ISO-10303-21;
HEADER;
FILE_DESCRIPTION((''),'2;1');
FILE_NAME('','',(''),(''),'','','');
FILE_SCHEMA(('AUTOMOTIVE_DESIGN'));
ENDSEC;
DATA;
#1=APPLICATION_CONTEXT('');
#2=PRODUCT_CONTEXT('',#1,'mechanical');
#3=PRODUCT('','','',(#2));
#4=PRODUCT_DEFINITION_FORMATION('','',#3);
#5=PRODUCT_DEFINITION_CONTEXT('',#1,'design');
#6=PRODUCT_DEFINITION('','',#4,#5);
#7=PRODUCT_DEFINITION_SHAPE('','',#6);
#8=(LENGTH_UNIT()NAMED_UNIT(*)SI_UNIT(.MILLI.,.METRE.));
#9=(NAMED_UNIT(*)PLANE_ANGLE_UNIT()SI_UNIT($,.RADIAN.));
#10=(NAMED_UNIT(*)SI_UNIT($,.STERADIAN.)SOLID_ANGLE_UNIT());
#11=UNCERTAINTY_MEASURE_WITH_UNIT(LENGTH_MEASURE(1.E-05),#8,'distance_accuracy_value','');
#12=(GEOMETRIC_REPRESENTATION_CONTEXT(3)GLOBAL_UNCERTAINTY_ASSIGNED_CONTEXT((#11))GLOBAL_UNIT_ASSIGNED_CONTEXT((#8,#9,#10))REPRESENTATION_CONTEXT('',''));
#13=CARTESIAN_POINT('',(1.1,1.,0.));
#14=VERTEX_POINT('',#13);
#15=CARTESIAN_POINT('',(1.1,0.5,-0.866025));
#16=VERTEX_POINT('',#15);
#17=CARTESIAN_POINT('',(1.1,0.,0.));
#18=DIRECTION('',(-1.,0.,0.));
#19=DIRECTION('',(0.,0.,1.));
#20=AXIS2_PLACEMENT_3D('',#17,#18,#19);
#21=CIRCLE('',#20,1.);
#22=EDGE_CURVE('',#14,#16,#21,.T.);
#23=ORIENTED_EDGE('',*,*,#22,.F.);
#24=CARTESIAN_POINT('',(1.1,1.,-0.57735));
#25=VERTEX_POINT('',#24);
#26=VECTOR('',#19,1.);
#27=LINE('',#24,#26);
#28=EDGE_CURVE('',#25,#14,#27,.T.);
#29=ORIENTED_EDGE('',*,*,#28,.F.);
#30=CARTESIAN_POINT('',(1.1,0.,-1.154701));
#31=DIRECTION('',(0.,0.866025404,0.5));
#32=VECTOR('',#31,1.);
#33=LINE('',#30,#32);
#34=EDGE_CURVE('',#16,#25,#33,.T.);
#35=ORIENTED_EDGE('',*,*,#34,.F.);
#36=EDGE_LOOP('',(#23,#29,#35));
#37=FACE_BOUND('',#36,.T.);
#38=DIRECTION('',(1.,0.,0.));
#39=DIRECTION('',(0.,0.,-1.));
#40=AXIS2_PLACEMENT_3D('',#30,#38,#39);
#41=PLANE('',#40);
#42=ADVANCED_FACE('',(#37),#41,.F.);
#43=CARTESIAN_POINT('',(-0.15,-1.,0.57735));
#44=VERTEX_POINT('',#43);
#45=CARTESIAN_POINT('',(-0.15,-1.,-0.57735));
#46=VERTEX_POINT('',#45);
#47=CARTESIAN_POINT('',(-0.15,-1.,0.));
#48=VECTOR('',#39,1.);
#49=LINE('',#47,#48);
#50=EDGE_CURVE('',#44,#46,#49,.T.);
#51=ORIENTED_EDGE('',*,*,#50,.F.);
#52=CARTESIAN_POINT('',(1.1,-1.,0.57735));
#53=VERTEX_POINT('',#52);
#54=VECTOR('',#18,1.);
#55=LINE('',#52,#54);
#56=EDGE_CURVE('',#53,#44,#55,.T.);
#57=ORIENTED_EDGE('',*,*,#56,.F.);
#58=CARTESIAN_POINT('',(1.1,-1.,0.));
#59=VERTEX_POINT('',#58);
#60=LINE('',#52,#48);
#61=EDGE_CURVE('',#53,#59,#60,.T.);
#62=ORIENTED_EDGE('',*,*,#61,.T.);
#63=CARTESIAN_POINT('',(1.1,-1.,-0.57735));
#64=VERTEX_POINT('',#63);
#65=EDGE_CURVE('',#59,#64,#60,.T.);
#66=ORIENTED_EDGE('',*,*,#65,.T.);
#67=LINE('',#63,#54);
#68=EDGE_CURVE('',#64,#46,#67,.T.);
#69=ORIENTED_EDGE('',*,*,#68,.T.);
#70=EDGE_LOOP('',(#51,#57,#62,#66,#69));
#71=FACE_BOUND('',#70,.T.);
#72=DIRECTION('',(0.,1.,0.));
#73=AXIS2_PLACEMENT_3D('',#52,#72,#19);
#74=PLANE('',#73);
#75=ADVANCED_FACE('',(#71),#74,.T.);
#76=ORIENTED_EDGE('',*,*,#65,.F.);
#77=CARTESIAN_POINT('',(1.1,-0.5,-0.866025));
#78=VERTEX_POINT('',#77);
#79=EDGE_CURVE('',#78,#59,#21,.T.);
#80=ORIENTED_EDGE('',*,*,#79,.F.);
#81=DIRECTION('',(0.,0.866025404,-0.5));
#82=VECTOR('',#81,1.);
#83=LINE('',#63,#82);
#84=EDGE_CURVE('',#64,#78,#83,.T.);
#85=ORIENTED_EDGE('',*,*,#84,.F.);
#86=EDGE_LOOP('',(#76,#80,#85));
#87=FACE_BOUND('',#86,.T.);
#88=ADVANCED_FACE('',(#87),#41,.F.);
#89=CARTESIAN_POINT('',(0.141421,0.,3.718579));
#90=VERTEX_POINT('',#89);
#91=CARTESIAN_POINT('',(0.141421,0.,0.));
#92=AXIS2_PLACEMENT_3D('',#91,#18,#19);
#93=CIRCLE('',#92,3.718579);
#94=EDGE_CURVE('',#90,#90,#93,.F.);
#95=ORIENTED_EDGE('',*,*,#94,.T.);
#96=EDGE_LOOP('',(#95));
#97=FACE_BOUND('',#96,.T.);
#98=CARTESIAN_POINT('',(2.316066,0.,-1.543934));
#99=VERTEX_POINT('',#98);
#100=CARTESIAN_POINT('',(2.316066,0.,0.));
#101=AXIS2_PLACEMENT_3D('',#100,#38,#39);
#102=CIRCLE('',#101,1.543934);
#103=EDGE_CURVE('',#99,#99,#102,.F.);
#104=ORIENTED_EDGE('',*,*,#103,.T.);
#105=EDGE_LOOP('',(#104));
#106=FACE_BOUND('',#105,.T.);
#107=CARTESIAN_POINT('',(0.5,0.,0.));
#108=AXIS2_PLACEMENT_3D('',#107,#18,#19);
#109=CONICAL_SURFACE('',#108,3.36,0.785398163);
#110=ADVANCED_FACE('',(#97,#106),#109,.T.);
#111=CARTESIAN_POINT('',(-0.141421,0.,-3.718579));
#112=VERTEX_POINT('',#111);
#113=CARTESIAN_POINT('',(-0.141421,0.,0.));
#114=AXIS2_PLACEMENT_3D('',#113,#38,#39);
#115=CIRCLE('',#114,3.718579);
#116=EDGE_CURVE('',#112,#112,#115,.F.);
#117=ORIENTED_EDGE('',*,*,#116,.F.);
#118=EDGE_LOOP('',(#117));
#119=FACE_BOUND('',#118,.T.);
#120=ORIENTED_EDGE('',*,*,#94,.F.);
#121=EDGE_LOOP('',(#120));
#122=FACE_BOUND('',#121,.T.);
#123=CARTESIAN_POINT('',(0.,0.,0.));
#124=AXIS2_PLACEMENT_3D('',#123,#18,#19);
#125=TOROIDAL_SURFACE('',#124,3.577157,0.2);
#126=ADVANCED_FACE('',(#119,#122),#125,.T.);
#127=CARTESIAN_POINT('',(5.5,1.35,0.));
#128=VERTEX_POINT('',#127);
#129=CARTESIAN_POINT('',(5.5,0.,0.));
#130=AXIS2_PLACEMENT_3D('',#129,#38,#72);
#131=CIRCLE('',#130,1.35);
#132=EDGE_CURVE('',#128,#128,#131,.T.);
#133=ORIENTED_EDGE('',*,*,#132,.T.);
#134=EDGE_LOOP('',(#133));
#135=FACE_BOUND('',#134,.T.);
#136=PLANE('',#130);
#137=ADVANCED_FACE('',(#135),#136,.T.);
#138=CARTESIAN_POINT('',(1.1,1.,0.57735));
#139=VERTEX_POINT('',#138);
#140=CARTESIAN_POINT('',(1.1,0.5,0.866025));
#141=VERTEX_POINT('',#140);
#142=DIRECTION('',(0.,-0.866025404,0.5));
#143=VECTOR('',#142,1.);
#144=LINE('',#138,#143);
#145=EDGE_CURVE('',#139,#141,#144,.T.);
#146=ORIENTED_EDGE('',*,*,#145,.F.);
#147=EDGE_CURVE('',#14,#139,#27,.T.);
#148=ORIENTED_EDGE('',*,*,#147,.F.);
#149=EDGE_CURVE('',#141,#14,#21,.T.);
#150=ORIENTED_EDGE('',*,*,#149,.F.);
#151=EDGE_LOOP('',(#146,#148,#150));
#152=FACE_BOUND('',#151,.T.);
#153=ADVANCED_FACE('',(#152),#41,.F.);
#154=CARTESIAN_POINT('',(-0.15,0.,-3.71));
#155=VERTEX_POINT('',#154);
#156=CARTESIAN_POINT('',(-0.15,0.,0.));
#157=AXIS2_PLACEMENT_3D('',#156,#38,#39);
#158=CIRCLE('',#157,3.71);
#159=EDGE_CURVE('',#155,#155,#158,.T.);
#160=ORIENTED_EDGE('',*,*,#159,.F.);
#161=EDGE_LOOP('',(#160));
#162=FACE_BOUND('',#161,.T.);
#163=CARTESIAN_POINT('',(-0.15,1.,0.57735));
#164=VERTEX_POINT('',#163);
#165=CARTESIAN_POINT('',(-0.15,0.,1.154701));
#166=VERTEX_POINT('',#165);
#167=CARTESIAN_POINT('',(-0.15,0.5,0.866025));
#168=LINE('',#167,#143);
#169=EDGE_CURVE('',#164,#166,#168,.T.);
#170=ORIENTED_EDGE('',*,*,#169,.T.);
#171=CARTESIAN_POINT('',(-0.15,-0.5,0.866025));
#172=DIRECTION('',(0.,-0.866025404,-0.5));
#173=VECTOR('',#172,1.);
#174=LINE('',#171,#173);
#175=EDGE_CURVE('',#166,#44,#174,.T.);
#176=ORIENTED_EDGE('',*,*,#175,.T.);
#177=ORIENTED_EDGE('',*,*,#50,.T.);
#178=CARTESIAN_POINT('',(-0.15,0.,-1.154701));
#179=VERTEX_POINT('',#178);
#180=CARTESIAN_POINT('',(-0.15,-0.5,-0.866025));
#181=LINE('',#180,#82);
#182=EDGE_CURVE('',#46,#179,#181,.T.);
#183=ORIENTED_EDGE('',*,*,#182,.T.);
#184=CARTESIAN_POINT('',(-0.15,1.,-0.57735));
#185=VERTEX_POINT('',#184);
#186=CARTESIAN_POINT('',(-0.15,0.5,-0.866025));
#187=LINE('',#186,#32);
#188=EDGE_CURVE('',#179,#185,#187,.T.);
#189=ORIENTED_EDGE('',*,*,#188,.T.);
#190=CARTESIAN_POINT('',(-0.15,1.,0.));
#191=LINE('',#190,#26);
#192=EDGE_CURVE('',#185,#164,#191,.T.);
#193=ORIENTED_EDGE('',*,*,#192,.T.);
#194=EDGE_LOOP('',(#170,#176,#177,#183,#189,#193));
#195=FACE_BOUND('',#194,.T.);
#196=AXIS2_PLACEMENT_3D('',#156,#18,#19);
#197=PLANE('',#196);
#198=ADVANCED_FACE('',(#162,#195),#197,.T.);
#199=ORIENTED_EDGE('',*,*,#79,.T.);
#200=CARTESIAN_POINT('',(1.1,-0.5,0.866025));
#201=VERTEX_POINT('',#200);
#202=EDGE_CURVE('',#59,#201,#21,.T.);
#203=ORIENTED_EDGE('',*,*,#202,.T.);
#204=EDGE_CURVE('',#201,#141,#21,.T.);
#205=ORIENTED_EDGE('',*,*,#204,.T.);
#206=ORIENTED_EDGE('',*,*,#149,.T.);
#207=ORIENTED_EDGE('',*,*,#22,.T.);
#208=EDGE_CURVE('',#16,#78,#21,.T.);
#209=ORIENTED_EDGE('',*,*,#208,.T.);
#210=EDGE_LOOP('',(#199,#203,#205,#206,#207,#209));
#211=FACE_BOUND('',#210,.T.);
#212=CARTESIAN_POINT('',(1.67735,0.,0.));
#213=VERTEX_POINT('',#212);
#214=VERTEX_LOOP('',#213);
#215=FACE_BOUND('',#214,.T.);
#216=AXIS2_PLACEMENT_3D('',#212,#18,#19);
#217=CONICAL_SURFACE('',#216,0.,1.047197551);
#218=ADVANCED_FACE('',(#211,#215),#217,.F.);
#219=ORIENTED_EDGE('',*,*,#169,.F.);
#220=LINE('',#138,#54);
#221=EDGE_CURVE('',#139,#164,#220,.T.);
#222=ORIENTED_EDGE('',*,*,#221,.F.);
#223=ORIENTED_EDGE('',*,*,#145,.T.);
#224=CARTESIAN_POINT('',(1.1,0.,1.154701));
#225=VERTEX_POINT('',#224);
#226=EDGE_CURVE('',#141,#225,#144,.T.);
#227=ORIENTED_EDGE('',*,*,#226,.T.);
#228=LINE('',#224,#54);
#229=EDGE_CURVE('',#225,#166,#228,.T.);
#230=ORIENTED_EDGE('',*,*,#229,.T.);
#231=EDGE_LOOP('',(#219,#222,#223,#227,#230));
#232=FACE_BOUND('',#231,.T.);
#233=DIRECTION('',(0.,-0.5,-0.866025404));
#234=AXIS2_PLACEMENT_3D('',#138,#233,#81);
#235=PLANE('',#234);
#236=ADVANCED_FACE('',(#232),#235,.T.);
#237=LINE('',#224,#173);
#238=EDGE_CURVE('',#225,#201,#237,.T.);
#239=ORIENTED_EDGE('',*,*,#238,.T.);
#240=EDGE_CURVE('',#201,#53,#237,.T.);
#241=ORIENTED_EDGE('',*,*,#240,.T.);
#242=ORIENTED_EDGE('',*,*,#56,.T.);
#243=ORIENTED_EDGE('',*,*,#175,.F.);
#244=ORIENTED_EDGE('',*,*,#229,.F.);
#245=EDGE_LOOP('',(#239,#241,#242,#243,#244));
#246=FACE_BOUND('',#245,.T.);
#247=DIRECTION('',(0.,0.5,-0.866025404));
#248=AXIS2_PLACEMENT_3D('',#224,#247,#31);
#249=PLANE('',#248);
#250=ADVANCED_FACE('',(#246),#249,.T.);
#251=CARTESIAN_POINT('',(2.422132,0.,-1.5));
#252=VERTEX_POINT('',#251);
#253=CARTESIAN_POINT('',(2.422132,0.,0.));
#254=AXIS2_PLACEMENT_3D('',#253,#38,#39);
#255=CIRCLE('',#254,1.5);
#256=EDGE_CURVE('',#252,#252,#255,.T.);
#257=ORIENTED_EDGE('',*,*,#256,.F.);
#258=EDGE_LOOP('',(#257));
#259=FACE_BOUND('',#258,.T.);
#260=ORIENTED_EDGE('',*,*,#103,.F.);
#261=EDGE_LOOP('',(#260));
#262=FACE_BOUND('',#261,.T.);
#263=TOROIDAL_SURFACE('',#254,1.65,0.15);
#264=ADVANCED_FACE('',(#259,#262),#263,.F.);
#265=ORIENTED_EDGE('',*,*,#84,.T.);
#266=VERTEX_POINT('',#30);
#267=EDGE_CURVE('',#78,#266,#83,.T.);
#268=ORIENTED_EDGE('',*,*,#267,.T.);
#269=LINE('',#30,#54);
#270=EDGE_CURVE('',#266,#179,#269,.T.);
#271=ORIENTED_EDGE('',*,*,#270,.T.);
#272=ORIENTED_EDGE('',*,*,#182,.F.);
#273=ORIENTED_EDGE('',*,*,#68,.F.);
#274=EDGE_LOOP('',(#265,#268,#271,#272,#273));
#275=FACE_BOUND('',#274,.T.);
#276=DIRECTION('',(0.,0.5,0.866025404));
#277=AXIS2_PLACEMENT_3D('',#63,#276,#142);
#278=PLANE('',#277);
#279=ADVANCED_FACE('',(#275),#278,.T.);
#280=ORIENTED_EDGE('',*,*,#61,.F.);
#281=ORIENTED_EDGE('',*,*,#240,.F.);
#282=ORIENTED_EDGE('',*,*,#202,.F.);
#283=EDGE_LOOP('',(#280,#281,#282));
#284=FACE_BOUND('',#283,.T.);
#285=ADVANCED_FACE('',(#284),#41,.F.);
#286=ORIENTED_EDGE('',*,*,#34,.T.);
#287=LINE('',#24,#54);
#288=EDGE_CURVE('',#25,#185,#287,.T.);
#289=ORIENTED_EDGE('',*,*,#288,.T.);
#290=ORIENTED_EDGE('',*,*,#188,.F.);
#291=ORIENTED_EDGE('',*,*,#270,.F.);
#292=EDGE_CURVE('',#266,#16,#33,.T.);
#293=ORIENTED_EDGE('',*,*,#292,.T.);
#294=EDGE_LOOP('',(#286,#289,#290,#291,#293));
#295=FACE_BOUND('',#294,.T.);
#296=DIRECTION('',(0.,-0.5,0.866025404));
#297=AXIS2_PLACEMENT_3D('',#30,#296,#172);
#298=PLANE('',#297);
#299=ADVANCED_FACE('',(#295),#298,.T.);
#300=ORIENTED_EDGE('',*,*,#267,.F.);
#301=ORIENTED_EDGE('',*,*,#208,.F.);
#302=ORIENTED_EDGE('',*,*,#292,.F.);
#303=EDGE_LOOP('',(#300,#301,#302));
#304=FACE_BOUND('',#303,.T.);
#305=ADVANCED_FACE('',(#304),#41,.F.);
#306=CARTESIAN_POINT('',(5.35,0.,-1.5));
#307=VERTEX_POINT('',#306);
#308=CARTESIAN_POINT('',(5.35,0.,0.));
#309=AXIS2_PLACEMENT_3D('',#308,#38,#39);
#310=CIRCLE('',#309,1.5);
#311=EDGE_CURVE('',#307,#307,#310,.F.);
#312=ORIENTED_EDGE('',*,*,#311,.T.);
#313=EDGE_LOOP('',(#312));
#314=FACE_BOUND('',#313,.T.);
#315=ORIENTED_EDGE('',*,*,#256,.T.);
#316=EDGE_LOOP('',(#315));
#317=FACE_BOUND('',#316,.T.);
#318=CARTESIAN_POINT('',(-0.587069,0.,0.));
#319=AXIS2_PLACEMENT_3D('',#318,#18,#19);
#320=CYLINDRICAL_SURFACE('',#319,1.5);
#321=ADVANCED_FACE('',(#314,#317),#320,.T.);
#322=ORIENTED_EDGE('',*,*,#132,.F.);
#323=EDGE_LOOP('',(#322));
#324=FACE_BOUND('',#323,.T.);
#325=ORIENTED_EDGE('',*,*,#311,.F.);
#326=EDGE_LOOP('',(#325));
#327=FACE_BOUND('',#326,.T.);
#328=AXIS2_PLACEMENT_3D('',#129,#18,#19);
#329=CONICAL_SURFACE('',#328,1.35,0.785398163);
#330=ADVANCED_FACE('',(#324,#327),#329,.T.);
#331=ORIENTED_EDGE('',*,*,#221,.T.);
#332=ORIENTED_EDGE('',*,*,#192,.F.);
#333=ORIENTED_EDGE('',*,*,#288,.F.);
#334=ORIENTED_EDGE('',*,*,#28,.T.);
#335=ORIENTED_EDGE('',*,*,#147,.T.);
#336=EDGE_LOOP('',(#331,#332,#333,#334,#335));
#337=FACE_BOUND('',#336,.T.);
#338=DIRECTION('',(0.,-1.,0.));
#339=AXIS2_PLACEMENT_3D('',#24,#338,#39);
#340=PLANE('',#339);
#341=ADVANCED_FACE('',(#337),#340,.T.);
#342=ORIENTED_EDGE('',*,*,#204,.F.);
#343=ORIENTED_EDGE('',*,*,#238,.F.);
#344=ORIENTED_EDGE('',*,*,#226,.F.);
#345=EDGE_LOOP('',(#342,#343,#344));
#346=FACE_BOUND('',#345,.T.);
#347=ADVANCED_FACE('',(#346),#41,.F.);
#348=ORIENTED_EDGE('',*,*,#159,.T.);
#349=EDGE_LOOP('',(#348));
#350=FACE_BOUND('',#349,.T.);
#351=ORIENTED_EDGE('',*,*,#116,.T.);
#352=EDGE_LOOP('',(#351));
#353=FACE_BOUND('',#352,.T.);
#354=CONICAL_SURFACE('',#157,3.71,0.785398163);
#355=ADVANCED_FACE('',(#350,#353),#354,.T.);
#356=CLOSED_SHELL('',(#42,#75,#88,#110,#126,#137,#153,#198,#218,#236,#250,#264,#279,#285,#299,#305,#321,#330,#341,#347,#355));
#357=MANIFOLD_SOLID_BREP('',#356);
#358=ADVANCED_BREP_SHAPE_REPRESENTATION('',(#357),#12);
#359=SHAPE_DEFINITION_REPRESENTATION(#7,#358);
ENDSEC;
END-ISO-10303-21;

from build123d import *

# Parameters (mm, degrees)
HEXAGONSOCKET_DEPTH = 1.1
CHAMFER_2_SIZE      = 0.2705
SKETCH_1_R          = 3.36
EXTRUDE_4_DEPTH     = 0.5
EXTRUDE_START       = 0.15
SKETCH_8_R          = 3.36
EXTRUDE_6_DEPTH     = 0.15
FILLET_5_R          = 0.2
CUT_EXTRUDE_START   = 3.14
SKETCH_6_R          = 1.5
CUT_EXTRUDE_1_DEPTH = 5.628101593
FILLET_6_R          = 0.15
CHAMFER_1_SIZE      = 0.15


with BuildPart() as part:
    # Sketch1 → Base (revolve)
    with BuildSketch(Plane.XY, mode=Mode.PRIVATE) as base_sk:
        Polygon((0, 0), (0, 3.36), (1.86, 1.5), (8, 1.5), (8, 0), align=None)
    revolve(base_sk.sketch.rotate(Axis((-0.587069181, 0, 0), (1, 0, 0)), 90), axis=Axis((-0.587069181, 0, 0), (1, 0, 0)))

    # Sketch2 → HexagonSocket (cut)
    with BuildSketch(Plane(origin=(0, 0, 0), x_dir=(0, 0, -1), z_dir=(1, 0, 0))):
        Polygon((1.154700538, 0), (0.577350269, 1), (-0.577350269, 1), (-1.154700538, 0), (-0.577350269, -1), (0.577350269, -1), align=None)
    extrude(amount=HEXAGONSOCKET_DEPTH, mode=Mode.SUBTRACT)

    # Sketch3 → Cut-Revolve1 (revolve, cut)
    with BuildSketch(Plane.XY, mode=Mode.PRIVATE) as cut_revolve1_sk:
        Polygon((1.1, 1), (1.677350269, 0), (1.1, 0), align=None)
    revolve(cut_revolve1_sk.sketch.rotate(Axis((-0.439109555, 0, 0), (1, 0, 0)), 90), axis=Axis((-0.439109555, 0, 0), (1, 0, 0)), mode=Mode.SUBTRACT)

    # Chamfer 2
    chamfer_2_edges = [part.edges().sort_by_distance(p)[0] for p in [
        (8, 0, -1.5),
    ]]
    chamfer(chamfer_2_edges, length=CHAMFER_2_SIZE)

    # 草图1 → 凸台-拉伸4 (add)
    with BuildSketch(Plane.ZY):
        Circle(SKETCH_1_R)
        Polygon((0.577350269, -1), (-0.577350269, -1), (-1.154700538, 0), (-0.577350269, 1), (0.577350269, 1), (1.154700538, 0), align=None, mode=Mode.SUBTRACT)
    extrude(amount=-EXTRUDE_4_DEPTH)

    # 草图5 → 旋转7 (revolve)
    with BuildSketch(Plane(origin=(0, 0, 0), x_dir=(1, 0, 0), z_dir=(0, 0.5000000000000003, 0.8660254037844386)), mode=Mode.PRIVATE) as revolve_7_sk:
        Polygon((2.632985321, -0.645763152), (0.5, -2.778748473), (0.5, -3.36), (2.632985321, -1.227014679), align=None)
    revolve(revolve_7_sk.sketch.rotate(Axis((1.86, 0, 0), (-1, 0, 0)), 60), axis=Axis((1.86, 0, 0), (-1, 0, 0)))

    # 草图8 → 凸台-拉伸6 (add)
    with BuildSketch(Plane.ZY.offset(EXTRUDE_START)):
        Circle(SKETCH_8_R)
        Polygon((0.577350269, -1), (-0.577350269, -1), (-1.154700538, 0), (-0.577350269, 1), (0.577350269, 1), (1.154700538, 0), align=None, mode=Mode.SUBTRACT)
    extrude(amount=-EXTRUDE_6_DEPTH)

    # 草图11 → 旋转8 (revolve)
    with BuildSketch(Plane(origin=(0, 0, 0), x_dir=(1, 0, 0), z_dir=(0, 0.5000000000000003, 0.8660254037844386)), mode=Mode.PRIVATE) as revolve_8_sk:
        Polygon((0.5, -3.36), (0.217401845, -3.642598155), (0, -3.86), (-0.15, -3.71), (-0.15, -3.36), align=None)
    revolve(revolve_8_sk.sketch.rotate(Axis((-0.15, 0, 0), (1, 0, 0)), 300), axis=Axis((-0.15, 0, 0), (1, 0, 0)))

    # 圆角5
    fillet_5_edges = [part.edges().sort_by_distance(p)[0] for p in [
        (0, 0, -3.86),
    ]]
    fillet(fillet_5_edges, radius=FILLET_5_R)

    # 草图6 → 切除-拉伸1 (cut, through all)
    with BuildSketch(Plane(origin=(2.36, 0, 0), x_dir=(0, 0, -1), z_dir=(1, 0, 0)).offset(CUT_EXTRUDE_START)):
        with Locations(Location((0, 0, 0), (0, 0, 180))):
            Circle(SKETCH_6_R)
    extrude(amount=CUT_EXTRUDE_1_DEPTH, mode=Mode.SUBTRACT)

    # 圆角6
    fillet_6_edges = [part.edges().sort_by_distance(p)[0] for p in [
        (2.36, 0, -1.5),
    ]]
    fillet(fillet_6_edges, radius=FILLET_6_R)

    # 倒角1
    chamfer_1_edges = [part.edges().sort_by_distance(p)[0] for p in [
        (5.5, 0, -1.5),
    ]]
    chamfer(chamfer_1_edges, length=CHAMFER_1_SIZE)


solid = part.part
